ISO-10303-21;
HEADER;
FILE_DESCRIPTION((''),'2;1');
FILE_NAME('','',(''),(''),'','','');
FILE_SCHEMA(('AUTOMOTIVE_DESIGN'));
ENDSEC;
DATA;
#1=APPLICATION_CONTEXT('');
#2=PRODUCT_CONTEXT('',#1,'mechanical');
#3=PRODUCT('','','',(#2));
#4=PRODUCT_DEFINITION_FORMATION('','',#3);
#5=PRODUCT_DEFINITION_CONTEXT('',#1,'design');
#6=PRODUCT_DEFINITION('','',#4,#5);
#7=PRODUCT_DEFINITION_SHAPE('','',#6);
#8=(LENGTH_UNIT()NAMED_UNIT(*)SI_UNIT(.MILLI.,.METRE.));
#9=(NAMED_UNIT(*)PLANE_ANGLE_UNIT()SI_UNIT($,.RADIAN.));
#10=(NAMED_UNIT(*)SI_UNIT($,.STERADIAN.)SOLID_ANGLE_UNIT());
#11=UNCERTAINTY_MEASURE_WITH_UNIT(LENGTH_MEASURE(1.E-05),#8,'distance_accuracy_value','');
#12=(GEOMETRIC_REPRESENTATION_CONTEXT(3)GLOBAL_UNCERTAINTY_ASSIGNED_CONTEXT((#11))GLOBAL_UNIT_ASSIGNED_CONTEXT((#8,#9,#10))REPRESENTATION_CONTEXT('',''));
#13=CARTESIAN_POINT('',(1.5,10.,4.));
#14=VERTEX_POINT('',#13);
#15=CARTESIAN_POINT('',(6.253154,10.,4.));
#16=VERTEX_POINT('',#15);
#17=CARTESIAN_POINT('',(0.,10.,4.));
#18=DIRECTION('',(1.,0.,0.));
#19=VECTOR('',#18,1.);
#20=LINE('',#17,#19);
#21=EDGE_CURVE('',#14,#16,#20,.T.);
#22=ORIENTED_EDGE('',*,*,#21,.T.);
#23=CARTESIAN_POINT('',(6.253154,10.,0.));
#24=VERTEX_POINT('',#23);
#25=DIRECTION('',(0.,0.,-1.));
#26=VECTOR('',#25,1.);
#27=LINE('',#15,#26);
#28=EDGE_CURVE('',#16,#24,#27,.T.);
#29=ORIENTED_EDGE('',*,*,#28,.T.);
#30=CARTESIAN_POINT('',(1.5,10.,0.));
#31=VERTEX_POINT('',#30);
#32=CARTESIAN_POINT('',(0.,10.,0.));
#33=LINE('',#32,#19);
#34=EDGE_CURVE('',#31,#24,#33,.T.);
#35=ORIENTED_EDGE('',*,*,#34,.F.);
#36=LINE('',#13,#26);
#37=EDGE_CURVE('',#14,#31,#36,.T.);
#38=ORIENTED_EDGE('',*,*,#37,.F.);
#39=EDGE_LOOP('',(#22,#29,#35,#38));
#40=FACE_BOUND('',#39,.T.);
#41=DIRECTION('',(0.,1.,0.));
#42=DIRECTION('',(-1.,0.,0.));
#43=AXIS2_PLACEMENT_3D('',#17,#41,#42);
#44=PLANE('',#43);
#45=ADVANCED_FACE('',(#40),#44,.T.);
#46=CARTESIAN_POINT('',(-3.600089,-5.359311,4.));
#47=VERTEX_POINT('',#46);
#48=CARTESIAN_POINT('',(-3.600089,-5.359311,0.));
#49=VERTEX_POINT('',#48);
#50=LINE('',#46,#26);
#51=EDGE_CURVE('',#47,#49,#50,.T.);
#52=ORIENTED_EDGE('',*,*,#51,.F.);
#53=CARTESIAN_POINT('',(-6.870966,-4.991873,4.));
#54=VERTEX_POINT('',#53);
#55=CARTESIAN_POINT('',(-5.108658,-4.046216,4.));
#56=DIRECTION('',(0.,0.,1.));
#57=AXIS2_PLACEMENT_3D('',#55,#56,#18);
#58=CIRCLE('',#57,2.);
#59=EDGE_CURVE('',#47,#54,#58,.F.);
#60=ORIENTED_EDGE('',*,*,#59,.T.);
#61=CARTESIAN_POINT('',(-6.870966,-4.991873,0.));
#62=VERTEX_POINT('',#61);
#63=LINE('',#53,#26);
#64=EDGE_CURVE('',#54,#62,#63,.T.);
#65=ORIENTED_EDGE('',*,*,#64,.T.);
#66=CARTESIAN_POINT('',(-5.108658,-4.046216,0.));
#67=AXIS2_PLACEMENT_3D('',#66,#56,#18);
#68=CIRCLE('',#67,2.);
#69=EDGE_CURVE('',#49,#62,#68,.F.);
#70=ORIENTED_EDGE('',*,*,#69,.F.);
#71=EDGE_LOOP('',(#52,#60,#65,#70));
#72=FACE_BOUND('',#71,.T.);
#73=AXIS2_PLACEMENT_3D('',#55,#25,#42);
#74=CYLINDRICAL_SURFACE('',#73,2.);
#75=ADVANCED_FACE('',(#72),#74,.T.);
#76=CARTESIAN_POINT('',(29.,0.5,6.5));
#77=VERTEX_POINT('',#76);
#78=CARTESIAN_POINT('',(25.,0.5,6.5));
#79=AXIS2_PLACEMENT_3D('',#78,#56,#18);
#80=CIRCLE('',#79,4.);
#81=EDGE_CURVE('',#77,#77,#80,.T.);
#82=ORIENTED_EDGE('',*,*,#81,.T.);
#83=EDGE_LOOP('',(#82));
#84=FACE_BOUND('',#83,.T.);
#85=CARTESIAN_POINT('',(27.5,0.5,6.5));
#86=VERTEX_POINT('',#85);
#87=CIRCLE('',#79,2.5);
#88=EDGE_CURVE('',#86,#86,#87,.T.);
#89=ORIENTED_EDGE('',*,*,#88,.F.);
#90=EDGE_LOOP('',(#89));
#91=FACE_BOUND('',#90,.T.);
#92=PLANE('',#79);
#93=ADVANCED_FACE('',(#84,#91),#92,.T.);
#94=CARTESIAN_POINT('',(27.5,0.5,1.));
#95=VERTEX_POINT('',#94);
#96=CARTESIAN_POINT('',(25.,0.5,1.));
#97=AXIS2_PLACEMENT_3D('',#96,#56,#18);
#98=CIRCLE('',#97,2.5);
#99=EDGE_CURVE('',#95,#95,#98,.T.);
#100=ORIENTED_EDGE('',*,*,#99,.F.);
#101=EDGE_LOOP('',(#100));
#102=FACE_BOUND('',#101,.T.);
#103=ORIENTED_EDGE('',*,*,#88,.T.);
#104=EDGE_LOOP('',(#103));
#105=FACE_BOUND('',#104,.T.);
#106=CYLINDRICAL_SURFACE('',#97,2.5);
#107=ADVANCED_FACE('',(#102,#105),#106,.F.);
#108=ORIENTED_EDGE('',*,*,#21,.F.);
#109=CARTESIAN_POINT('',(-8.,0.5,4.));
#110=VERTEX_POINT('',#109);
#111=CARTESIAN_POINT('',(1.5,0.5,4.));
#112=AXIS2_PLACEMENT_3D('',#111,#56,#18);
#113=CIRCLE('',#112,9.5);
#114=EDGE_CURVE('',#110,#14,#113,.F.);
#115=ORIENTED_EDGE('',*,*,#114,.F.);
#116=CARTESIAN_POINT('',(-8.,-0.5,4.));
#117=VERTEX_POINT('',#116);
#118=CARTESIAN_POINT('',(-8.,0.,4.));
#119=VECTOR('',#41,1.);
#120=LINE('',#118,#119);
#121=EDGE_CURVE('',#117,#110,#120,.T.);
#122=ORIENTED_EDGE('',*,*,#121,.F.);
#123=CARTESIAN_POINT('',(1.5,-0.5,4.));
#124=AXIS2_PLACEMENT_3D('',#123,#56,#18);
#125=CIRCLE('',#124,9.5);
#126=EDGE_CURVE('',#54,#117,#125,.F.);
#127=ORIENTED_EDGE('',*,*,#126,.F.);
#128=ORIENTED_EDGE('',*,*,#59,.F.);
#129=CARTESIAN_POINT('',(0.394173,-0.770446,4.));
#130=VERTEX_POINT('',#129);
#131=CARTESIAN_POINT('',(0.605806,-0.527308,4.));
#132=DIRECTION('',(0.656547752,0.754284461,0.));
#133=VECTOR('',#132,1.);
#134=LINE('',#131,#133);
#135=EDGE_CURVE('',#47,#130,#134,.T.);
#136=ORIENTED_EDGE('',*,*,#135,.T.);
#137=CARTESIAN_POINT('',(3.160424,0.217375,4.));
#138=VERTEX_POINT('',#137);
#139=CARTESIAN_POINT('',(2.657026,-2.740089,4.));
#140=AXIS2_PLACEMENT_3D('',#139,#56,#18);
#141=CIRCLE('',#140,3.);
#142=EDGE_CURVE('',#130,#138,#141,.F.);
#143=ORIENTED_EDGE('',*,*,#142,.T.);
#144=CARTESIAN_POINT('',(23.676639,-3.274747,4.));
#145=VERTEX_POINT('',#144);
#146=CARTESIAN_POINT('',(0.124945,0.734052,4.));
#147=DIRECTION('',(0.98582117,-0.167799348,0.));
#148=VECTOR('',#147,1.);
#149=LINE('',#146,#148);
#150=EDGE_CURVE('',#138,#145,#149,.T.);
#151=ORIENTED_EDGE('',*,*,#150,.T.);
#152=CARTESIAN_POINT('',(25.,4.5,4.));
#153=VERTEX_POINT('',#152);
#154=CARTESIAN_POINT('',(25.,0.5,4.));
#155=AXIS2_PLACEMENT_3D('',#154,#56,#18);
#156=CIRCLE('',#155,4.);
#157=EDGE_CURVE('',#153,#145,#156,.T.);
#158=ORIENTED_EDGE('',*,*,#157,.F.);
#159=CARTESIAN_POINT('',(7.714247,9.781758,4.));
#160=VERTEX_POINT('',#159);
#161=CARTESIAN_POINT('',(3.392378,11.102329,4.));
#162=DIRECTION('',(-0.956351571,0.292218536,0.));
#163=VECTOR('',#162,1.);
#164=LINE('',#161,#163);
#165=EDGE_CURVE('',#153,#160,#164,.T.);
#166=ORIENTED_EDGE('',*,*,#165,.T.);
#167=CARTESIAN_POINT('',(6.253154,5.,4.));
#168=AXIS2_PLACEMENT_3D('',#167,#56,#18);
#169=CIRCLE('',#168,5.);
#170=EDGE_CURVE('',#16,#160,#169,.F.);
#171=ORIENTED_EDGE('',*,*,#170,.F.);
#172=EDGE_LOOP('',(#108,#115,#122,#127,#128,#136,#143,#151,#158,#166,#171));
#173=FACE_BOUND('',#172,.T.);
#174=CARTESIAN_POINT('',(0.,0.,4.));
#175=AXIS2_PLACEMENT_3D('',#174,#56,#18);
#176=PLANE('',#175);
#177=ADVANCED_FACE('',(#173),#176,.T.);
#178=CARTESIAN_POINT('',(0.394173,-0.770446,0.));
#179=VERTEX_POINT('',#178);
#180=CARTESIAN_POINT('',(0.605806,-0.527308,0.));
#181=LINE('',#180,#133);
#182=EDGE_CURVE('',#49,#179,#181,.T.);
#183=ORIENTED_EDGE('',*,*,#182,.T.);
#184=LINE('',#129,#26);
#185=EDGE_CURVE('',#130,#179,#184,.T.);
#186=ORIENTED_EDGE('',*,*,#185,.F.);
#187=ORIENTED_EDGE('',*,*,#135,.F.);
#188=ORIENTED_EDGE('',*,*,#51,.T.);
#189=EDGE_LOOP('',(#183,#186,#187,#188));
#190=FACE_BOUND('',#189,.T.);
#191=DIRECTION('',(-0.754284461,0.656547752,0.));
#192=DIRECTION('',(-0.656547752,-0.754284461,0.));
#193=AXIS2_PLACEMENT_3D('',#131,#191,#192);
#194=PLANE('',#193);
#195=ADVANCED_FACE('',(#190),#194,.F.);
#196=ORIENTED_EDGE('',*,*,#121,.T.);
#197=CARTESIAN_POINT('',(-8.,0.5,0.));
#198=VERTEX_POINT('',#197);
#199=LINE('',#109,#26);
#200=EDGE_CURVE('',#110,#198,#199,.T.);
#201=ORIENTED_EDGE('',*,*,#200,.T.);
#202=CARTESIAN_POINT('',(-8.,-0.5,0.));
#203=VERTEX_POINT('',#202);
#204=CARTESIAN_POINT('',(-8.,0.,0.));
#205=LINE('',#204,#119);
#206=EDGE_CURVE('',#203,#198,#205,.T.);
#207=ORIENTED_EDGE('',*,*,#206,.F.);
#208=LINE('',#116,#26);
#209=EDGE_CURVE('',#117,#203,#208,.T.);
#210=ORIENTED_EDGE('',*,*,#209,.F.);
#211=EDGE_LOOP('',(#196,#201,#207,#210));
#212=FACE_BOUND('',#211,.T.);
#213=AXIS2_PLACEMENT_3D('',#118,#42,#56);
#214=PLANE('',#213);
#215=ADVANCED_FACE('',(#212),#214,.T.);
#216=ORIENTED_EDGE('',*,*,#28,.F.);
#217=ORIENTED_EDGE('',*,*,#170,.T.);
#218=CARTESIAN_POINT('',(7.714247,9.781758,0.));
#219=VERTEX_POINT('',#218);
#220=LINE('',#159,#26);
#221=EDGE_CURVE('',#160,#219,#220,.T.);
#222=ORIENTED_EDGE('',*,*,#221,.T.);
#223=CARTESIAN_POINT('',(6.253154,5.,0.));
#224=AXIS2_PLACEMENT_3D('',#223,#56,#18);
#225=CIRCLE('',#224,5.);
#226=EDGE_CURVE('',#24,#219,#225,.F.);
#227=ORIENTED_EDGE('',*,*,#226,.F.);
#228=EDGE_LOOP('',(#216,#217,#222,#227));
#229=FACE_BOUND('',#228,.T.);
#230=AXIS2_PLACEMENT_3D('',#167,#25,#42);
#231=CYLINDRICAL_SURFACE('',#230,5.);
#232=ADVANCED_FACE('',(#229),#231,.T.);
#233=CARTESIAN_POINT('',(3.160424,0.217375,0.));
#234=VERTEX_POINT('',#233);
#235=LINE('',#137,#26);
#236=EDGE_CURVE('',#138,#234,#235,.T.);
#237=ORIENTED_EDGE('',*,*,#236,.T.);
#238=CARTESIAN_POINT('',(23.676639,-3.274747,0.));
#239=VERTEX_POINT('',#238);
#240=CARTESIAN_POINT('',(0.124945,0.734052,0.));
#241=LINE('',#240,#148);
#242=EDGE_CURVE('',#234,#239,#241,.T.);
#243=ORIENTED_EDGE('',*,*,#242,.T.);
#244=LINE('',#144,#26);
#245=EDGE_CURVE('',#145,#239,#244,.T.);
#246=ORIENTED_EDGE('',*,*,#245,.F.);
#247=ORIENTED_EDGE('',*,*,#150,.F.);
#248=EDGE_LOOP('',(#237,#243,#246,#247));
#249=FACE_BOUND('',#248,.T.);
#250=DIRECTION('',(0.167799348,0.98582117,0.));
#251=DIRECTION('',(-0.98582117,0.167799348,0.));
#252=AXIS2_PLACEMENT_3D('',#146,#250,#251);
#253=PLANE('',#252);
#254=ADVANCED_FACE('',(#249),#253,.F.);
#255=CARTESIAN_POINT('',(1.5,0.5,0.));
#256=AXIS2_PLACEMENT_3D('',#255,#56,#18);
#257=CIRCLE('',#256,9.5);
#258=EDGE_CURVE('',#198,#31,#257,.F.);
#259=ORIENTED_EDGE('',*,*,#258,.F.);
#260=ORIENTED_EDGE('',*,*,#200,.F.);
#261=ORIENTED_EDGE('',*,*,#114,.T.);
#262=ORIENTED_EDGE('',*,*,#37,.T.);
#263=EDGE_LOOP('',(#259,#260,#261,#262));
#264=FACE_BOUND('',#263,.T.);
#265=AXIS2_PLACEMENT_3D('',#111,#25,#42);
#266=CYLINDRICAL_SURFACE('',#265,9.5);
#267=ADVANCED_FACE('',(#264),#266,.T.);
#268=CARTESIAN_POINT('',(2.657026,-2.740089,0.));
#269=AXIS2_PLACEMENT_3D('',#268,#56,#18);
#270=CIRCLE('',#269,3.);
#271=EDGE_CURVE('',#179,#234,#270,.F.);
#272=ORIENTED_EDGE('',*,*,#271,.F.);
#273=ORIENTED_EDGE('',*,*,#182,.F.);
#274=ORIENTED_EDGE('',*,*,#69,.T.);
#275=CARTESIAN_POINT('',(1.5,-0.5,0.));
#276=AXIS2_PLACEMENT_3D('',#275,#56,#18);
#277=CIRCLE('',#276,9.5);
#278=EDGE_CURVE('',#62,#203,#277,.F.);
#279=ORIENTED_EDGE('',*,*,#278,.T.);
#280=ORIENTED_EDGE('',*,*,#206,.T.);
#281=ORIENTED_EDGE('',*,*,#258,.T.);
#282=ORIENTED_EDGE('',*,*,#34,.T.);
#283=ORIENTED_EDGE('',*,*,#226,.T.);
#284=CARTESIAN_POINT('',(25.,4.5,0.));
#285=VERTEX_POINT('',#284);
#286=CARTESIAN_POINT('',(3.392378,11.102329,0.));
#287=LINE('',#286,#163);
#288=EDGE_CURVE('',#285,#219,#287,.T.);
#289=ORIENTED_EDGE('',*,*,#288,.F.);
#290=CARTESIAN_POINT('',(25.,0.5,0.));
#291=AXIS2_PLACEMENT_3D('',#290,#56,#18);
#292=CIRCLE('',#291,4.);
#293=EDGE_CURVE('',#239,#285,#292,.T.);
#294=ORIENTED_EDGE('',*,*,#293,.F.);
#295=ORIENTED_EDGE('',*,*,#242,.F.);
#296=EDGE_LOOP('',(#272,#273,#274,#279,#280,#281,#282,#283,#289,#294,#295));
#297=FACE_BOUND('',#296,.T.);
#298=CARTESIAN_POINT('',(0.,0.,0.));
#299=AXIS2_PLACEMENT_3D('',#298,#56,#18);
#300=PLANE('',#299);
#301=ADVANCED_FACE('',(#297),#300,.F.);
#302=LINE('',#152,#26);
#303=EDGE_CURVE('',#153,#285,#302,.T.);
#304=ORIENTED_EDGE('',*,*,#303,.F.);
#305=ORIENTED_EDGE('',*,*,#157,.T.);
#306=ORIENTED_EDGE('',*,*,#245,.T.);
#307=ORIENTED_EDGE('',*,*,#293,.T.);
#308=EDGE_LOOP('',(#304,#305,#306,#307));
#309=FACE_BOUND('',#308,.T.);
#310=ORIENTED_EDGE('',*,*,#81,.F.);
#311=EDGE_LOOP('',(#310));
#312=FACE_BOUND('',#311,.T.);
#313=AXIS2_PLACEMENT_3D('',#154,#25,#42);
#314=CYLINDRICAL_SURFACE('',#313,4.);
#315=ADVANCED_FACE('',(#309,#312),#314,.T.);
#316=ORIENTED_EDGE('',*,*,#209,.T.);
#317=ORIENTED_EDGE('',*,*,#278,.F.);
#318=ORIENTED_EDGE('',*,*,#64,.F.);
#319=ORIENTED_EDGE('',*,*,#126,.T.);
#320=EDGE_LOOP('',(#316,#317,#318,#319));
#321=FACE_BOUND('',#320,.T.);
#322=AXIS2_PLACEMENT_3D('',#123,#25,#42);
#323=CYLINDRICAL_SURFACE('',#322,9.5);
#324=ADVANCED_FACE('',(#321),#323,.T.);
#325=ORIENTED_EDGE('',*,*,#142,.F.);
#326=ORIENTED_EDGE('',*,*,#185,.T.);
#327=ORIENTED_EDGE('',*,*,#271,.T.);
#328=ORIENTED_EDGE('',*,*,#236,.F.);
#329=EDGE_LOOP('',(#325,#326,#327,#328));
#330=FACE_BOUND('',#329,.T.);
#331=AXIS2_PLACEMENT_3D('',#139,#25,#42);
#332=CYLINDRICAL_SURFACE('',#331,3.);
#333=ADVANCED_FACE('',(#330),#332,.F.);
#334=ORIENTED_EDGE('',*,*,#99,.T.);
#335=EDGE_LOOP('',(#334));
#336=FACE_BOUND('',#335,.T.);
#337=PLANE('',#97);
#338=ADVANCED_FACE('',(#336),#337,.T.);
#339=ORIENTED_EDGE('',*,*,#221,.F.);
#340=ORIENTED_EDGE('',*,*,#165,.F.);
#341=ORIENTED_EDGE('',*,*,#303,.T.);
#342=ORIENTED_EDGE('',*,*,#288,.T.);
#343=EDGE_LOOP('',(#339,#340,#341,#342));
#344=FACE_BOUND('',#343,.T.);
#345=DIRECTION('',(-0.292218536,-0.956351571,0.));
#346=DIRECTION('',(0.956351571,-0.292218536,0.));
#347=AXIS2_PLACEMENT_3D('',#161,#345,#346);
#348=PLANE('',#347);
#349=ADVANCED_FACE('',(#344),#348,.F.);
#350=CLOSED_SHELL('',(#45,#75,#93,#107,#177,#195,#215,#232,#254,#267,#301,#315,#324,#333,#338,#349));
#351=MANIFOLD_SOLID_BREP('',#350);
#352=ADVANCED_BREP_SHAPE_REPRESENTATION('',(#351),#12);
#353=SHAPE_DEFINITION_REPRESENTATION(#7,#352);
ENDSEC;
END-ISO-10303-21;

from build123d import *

# Parameters (mm, degrees)
ESBO_O1_R                = 4
RESSALTO_EXTRUS_O1_DEPTH = 4
ESBO_O3_R                = 4
RESSALTO_EXTRUS_O2_DEPTH = 2.5
ESBO_O5_R                = 2.5
CORTE_EXTRUS_O1_DEPTH    = 5.5


with BuildPart() as part:
    # Esboço1 → Ressalto-extrusão1 (new body)
    with BuildSketch(Plane.XY):
        with Locations((25, 0.5)):
            Circle(ESBO_O1_R)
        with BuildLine():
            ThreePointArc((0.394172842, -0.77044566), (1.648131789, 0.085177798), (3.16042427, 0.217374592))
            Line((3.16042427, 0.217374592), (23.676638803, -3.27474703))
            ThreePointArc((23.676638803, -3.27474703), (21.056715321, 1.171197392), (25, 4.5))
            Line((25, 4.5), (7.714247019, 9.781757855))
            ThreePointArc((7.714247019, 9.781757855), (6.991805383, 9.945138485), (6.253154341, 10))
            Line((6.253154341, 10), (1.5, 10))
            ThreePointArc((1.5, 10), (-5.217514421, 7.217514421), (-8, 0.5))
            Line((-8, 0.5), (-8, -0.5))
            ThreePointArc((-8, -0.5), (-7.713418989, -2.815795873), (-6.870966205, -4.991873194))
            ThreePointArc((-6.870966205, -4.991873194), (-5.331925608, -6.033714451), (-3.600088608, -5.359311184))
            Line((-3.600088608, -5.359311184), (0.394172842, -0.77044566))
        make_face()
    extrude(amount=RESSALTO_EXTRUS_O1_DEPTH)

    # Esboço3 → Ressalto-extrusão2 (add)
    with BuildSketch(Plane.XY.offset(4)):
        with Locations(Location((25, 0.5, 0), (0, 0, 250.680213843))):
            Circle(ESBO_O3_R)
    extrude(amount=RESSALTO_EXTRUS_O2_DEPTH)

    # Esboço5 → Corte-extrusão1 (cut)
    with BuildSketch(Plane.XY.offset(6.5)):
        with Locations((25, 0.5)):
            Circle(ESBO_O5_R)
    extrude(amount=-CORTE_EXTRUS_O1_DEPTH, mode=Mode.SUBTRACT)


solid = part.part
